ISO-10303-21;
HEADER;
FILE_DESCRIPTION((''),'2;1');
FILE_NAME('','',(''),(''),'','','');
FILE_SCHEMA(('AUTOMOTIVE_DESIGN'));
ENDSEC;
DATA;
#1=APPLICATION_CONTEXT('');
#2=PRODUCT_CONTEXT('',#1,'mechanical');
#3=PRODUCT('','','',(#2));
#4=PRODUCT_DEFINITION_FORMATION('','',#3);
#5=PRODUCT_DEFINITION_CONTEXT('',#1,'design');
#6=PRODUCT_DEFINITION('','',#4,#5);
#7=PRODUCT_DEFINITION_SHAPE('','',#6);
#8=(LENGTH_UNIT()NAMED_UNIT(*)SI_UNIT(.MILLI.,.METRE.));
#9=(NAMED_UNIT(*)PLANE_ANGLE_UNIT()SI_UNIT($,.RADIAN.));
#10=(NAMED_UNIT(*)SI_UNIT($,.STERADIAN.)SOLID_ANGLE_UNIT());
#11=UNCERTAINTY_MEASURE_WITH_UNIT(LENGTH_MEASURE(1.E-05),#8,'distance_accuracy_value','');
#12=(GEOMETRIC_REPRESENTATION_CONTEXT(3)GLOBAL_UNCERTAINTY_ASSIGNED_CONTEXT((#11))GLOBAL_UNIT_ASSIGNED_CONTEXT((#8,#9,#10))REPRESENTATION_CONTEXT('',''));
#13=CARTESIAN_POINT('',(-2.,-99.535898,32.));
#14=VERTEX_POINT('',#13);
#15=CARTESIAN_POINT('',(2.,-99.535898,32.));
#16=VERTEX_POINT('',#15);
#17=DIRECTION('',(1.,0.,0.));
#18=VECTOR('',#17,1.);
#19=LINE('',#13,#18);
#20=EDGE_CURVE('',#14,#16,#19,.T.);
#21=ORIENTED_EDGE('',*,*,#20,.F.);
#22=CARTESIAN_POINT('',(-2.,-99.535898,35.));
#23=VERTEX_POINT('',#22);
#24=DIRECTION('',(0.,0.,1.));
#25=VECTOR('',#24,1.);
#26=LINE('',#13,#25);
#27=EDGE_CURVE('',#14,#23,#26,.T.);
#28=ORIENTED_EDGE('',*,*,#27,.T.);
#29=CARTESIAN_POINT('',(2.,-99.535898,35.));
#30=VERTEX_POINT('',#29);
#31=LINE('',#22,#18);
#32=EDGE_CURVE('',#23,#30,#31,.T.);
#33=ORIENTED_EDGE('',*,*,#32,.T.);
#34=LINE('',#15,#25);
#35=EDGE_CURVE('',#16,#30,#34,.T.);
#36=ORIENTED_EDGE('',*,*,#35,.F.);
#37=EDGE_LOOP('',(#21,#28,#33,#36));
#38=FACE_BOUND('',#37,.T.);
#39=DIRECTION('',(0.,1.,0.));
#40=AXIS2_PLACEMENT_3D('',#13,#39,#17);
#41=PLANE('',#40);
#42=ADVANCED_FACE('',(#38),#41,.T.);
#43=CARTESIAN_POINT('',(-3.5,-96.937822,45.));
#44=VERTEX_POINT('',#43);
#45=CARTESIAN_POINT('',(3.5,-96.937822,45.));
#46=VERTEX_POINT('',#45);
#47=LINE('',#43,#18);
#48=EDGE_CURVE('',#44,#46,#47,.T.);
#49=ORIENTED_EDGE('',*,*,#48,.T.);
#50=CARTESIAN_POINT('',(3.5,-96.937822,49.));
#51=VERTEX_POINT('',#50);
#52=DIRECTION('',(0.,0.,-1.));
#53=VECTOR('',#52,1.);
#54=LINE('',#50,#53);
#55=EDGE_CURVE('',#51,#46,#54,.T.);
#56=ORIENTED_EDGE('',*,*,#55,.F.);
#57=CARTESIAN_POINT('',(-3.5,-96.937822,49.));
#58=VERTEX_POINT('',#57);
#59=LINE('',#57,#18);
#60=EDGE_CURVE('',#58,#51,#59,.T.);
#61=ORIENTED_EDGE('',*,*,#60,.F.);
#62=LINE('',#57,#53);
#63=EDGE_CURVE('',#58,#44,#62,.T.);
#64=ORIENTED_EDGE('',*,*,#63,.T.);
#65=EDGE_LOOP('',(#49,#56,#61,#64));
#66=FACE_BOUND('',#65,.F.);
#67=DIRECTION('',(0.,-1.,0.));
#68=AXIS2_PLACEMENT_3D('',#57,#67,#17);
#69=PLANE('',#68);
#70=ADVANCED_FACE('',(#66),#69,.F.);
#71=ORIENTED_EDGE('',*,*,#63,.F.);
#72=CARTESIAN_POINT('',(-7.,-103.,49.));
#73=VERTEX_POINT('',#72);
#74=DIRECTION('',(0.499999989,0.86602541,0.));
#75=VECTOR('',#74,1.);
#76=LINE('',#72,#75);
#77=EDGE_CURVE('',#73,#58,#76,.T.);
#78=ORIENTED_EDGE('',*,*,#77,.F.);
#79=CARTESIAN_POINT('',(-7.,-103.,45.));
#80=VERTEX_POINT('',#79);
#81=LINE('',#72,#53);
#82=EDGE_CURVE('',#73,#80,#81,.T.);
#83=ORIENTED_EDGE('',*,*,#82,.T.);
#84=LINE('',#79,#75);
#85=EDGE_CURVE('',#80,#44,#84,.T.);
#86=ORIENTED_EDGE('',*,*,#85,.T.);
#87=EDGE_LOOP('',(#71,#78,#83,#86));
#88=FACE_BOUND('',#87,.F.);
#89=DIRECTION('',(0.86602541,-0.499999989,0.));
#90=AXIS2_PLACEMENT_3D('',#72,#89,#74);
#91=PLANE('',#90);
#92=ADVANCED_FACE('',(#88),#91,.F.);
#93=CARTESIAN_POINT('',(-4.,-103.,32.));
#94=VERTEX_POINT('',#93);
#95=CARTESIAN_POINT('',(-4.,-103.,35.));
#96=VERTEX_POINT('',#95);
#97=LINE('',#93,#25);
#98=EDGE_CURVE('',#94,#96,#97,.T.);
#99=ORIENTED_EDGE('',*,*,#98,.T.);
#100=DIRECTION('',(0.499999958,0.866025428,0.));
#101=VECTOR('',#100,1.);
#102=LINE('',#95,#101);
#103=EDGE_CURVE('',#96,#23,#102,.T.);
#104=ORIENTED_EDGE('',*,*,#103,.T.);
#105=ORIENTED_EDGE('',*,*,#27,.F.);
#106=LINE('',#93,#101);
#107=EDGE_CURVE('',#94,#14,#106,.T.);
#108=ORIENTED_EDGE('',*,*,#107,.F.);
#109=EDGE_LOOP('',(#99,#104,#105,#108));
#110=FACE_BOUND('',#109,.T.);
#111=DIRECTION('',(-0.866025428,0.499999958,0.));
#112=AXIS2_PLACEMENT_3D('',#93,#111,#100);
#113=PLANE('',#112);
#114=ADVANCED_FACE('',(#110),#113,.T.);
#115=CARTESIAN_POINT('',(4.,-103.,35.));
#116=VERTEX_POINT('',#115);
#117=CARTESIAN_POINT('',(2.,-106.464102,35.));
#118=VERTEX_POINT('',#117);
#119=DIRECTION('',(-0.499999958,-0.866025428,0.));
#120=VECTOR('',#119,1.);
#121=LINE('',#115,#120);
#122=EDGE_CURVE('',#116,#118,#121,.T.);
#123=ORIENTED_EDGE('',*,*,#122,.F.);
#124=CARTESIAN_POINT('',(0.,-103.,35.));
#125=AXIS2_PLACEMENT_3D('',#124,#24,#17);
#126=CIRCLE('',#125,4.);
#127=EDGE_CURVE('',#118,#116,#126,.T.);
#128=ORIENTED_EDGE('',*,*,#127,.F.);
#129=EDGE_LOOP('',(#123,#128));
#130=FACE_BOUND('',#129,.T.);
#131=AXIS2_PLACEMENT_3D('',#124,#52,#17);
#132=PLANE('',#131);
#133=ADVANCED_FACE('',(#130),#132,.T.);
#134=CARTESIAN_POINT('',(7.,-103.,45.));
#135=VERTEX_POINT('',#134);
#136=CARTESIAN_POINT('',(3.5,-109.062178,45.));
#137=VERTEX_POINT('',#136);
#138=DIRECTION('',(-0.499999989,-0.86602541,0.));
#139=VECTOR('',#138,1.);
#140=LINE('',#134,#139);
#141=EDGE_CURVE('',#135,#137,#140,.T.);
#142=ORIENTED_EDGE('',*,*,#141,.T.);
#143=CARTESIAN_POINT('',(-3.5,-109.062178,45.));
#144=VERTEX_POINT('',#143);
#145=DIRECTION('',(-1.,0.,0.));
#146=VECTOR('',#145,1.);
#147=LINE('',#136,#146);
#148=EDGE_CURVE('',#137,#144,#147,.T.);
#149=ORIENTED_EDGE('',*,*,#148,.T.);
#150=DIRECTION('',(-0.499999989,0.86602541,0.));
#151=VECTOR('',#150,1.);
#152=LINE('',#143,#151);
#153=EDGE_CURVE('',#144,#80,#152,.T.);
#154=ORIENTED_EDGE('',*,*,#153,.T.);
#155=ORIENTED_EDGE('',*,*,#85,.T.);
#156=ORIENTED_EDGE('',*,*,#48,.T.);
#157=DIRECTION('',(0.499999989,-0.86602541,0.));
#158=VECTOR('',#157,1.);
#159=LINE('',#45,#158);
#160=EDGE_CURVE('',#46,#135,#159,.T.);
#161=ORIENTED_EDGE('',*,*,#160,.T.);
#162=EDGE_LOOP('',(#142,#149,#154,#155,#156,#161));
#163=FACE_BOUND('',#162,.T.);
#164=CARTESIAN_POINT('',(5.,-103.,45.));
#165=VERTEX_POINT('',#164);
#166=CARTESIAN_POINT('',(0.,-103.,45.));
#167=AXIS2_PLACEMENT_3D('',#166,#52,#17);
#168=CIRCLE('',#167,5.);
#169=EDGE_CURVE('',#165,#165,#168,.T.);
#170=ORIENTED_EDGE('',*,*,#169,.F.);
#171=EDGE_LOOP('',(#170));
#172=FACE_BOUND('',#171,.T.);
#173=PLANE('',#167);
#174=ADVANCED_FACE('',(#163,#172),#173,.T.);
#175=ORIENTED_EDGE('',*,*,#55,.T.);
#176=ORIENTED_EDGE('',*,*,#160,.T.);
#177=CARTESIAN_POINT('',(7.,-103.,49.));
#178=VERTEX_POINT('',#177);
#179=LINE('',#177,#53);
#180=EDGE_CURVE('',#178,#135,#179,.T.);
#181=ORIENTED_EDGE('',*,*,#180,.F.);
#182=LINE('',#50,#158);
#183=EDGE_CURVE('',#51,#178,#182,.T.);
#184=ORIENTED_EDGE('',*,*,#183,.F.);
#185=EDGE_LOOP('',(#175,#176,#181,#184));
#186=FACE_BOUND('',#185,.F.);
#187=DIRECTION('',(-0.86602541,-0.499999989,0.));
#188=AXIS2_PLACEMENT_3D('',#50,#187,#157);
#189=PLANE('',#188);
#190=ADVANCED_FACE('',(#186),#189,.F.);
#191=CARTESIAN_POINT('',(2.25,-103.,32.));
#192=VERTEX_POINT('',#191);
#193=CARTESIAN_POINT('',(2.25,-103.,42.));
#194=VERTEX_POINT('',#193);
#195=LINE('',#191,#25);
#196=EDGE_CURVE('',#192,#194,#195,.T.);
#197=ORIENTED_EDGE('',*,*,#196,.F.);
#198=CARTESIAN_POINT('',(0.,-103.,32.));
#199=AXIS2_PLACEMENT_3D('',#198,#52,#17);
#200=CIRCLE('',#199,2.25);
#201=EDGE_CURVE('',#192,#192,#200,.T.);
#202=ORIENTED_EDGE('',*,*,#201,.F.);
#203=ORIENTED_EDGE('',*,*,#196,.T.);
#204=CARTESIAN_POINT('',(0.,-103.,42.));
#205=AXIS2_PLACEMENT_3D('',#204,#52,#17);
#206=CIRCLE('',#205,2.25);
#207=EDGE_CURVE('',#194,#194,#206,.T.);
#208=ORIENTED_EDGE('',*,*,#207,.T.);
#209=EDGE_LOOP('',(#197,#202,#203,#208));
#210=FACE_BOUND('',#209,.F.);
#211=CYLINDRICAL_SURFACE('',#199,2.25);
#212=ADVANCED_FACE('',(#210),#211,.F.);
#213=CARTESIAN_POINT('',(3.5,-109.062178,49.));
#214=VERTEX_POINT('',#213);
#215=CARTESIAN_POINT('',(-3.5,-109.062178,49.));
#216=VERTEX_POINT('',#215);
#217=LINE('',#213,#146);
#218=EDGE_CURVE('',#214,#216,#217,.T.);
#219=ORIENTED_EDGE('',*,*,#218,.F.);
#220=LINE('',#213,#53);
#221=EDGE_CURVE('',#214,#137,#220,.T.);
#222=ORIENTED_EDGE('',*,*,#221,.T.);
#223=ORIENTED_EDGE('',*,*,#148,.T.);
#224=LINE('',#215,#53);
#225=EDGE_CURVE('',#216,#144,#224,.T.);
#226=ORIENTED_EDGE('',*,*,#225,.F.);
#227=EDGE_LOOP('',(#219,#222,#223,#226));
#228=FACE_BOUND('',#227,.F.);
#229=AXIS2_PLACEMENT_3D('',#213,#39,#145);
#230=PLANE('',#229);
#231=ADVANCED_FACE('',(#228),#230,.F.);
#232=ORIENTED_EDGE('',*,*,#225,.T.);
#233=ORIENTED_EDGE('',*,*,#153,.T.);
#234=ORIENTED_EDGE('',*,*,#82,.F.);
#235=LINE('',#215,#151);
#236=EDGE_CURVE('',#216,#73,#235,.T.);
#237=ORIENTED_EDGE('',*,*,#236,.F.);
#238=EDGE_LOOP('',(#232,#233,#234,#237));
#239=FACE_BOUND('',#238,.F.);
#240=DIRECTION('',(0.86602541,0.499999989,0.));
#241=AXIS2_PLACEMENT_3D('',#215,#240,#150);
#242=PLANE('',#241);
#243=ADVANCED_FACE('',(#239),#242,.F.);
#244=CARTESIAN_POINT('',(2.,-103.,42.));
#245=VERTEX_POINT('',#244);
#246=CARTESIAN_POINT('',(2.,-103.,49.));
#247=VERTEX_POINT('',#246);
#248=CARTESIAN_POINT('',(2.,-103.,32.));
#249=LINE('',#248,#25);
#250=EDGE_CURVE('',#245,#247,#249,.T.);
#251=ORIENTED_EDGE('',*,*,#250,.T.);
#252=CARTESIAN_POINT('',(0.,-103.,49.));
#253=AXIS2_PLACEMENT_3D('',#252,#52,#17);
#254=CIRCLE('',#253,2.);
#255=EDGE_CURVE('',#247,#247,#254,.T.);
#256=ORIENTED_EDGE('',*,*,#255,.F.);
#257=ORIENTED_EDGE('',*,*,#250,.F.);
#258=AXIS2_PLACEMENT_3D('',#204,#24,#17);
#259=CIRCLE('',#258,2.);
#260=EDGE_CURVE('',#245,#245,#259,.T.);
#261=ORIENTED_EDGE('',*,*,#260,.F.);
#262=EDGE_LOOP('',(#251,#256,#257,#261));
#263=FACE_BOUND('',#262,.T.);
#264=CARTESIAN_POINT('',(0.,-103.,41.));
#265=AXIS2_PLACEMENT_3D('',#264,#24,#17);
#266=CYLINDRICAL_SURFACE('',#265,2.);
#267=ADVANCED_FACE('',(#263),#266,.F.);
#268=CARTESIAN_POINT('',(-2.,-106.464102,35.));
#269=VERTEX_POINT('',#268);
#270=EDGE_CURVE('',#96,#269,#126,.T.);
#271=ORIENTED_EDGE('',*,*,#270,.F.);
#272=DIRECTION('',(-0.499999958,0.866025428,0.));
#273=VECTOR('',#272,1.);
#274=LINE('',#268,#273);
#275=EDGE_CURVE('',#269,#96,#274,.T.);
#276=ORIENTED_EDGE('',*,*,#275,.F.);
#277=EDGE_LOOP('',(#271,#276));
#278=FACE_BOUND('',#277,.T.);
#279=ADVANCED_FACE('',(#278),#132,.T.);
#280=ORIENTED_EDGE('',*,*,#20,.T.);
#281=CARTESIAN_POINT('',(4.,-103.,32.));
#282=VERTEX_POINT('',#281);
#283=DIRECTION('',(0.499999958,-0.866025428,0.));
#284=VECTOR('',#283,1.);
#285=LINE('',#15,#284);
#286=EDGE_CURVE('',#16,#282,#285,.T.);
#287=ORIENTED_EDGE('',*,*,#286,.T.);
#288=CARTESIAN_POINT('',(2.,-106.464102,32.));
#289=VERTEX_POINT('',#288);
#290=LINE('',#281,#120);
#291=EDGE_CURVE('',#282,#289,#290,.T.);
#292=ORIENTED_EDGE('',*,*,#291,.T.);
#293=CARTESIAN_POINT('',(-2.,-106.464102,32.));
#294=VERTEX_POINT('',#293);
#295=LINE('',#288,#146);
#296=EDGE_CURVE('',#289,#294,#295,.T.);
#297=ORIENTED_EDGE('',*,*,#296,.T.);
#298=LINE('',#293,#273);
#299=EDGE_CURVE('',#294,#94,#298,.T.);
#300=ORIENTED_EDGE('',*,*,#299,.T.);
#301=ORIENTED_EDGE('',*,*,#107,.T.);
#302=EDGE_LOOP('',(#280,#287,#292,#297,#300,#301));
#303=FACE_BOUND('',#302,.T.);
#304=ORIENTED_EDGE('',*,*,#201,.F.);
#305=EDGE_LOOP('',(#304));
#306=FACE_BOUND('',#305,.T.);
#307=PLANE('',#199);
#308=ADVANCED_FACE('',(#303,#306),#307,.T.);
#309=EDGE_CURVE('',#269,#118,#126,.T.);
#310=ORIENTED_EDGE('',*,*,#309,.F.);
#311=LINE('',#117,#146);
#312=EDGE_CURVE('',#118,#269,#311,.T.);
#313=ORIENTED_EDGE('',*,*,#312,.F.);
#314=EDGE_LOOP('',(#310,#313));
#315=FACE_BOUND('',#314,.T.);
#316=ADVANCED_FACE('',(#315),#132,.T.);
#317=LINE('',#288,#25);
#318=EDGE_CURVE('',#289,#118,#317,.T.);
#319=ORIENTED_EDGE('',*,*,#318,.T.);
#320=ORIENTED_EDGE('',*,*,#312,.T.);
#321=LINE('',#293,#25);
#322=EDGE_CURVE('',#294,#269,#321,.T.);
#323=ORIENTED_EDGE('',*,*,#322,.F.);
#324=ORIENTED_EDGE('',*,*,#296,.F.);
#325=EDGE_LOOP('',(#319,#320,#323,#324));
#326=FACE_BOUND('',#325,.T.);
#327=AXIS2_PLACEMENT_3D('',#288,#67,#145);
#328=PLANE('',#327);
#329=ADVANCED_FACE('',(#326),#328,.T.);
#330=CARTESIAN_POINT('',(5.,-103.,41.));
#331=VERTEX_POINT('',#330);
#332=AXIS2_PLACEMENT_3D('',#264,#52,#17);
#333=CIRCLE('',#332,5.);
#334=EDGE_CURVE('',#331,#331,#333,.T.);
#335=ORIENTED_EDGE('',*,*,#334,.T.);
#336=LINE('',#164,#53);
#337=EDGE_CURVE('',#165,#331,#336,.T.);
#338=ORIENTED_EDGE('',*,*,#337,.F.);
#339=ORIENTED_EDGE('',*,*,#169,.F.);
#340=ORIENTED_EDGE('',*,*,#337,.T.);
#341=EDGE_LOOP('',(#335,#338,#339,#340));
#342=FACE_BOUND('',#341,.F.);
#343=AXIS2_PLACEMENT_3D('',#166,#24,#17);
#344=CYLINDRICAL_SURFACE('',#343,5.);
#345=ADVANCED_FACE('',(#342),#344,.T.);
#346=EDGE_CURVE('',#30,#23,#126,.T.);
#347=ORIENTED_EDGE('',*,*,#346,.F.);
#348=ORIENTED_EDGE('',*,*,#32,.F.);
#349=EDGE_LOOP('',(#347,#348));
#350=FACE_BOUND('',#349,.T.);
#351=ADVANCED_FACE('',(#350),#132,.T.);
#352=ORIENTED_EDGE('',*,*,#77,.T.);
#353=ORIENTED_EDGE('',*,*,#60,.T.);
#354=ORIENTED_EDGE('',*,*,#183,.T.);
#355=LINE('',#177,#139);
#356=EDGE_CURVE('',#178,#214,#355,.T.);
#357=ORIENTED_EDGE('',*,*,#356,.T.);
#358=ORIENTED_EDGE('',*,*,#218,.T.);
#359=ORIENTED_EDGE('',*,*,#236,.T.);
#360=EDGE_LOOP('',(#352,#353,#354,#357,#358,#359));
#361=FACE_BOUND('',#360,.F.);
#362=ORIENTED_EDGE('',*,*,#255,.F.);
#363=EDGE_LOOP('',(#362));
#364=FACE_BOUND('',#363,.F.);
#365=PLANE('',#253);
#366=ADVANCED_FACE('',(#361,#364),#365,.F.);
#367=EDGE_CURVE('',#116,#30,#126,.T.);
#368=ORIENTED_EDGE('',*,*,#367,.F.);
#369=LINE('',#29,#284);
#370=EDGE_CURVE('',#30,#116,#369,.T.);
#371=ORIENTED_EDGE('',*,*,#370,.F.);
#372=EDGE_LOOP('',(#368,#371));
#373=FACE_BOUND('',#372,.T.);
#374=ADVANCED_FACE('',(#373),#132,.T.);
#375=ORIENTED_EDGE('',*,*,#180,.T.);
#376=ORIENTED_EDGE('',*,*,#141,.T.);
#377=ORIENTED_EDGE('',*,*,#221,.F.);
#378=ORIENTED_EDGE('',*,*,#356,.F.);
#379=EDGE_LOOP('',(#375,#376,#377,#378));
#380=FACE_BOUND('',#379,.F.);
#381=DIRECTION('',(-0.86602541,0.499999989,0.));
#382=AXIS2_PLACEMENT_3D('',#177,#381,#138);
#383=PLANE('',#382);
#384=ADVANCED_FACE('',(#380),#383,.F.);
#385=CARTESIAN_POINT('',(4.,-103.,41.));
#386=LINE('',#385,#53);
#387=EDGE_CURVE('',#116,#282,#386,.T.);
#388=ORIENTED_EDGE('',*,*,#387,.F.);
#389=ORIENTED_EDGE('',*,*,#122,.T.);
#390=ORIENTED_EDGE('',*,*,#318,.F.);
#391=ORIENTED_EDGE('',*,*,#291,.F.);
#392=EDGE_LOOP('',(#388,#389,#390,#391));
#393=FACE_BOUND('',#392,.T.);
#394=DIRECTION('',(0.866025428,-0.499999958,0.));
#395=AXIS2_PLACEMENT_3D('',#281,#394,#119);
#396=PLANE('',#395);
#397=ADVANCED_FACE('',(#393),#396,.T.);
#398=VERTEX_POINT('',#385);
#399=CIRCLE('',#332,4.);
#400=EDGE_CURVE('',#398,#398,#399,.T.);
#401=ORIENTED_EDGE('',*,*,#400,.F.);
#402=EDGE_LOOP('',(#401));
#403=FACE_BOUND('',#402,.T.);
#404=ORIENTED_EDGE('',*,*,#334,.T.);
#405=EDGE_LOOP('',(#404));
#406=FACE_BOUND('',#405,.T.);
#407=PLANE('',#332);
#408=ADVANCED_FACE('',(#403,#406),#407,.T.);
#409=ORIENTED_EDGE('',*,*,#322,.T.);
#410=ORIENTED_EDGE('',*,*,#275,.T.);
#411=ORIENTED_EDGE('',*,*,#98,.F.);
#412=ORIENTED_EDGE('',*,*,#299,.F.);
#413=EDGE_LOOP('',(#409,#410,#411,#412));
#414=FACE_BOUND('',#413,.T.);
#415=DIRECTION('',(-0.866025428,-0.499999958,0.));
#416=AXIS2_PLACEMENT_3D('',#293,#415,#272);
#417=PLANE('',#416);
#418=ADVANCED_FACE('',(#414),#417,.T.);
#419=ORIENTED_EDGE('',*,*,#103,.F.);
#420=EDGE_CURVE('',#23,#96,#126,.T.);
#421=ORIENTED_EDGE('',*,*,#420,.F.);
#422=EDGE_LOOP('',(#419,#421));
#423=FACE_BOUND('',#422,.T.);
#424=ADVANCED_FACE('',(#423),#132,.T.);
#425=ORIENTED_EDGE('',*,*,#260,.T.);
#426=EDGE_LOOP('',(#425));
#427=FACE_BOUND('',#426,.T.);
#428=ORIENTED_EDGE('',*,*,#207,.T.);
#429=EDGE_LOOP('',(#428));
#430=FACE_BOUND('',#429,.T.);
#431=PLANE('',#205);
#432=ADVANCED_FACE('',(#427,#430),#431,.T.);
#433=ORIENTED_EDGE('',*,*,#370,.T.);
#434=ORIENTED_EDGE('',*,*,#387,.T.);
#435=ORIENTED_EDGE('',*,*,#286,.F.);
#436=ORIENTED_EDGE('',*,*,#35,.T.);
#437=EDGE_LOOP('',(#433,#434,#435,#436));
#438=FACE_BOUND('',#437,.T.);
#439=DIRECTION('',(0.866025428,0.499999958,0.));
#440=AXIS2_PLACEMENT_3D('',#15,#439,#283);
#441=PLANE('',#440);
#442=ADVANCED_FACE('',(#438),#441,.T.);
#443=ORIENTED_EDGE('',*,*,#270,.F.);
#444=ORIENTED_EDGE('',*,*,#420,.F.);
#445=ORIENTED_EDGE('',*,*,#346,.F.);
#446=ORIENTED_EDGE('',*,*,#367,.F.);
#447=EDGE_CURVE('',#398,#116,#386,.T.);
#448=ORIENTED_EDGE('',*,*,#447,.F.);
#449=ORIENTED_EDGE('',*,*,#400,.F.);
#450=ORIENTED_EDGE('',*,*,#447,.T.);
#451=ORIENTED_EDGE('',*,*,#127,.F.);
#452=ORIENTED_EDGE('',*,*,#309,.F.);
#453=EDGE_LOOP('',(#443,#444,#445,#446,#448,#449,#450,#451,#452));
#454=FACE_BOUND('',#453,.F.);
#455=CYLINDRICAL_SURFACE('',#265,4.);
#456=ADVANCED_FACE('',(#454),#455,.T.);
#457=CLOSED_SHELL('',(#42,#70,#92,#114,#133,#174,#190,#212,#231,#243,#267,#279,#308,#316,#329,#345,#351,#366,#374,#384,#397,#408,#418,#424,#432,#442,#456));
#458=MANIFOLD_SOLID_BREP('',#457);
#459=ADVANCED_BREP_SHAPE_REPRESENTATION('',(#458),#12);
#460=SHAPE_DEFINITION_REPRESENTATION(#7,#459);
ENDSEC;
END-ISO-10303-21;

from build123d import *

# Parameters (mm, degrees)
SKETCH151_R             = 2
PAD064_DEPTH            = 4
SKETCH152_R             = 5
SKETCH152_R_2           = 2
PAD065_DEPTH            = 4
SKETCH153_R             = 4
SKETCH153_R_2           = 2
PAD066_DEPTH            = 9
SKETCH157_R             = 2.25
POCKET066_DEPTH         = 10
SKETCH164_R             = 5
POCKET067_DEPTH         = 3
BODY018_PLACEMENT_ANGLE = 90


with BuildPart() as part:
    # Sketch151 → Pad064 (new body)
    with BuildSketch(Plane.XZ):
        Polygon((7, 0), (3.5, 6.062178), (-3.5, 6.062178), (-7, 0), (-3.5, -6.062178), (3.5, -6.062178), align=None)
        Circle(SKETCH151_R, mode=Mode.SUBTRACT)
    extrude(amount=PAD064_DEPTH)

    # Sketch152 (on Face9 of Pad064) → Pad065 (join)
    with BuildSketch(Plane.XZ.offset(4)):
        Circle(SKETCH152_R)
        Circle(SKETCH152_R_2, mode=Mode.SUBTRACT)
    extrude(amount=PAD065_DEPTH)

    # Sketch153 (on Face12 of Pad065) → Pad066 (join)
    with BuildSketch(Plane.XZ.offset(8)):
        Circle(SKETCH153_R)
        Circle(SKETCH153_R_2, mode=Mode.SUBTRACT)
    extrude(amount=PAD066_DEPTH)

    # Sketch157 (on Face15 of Pad066) → Pocket066 (cut)
    with BuildSketch(Plane.XZ.offset(17)):
        Circle(SKETCH157_R)
    extrude(amount=-POCKET066_DEPTH, mode=Mode.SUBTRACT)

    # Sketch164 (on Face16 of Pocket066) → Pocket067 (cut)
    with BuildSketch(Plane.XZ.offset(17)):
        Circle(SKETCH164_R)
        Polygon((4, 0), (2, 3.464102), (-2, 3.464102), (-4, 0), (-2, -3.464102), (2, -3.464102), align=None, mode=Mode.SUBTRACT)
    extrude(amount=-POCKET067_DEPTH, mode=Mode.SUBTRACT)


with BuildPart() as part_1:
    # Body018 placement: moved
    add(part.part.moved(Location((0, -103, 49))).rotate(Axis((0, -103, 49), (1, 0, 0)), BODY018_PLACEMENT_ANGLE))


solid = part_1.part
